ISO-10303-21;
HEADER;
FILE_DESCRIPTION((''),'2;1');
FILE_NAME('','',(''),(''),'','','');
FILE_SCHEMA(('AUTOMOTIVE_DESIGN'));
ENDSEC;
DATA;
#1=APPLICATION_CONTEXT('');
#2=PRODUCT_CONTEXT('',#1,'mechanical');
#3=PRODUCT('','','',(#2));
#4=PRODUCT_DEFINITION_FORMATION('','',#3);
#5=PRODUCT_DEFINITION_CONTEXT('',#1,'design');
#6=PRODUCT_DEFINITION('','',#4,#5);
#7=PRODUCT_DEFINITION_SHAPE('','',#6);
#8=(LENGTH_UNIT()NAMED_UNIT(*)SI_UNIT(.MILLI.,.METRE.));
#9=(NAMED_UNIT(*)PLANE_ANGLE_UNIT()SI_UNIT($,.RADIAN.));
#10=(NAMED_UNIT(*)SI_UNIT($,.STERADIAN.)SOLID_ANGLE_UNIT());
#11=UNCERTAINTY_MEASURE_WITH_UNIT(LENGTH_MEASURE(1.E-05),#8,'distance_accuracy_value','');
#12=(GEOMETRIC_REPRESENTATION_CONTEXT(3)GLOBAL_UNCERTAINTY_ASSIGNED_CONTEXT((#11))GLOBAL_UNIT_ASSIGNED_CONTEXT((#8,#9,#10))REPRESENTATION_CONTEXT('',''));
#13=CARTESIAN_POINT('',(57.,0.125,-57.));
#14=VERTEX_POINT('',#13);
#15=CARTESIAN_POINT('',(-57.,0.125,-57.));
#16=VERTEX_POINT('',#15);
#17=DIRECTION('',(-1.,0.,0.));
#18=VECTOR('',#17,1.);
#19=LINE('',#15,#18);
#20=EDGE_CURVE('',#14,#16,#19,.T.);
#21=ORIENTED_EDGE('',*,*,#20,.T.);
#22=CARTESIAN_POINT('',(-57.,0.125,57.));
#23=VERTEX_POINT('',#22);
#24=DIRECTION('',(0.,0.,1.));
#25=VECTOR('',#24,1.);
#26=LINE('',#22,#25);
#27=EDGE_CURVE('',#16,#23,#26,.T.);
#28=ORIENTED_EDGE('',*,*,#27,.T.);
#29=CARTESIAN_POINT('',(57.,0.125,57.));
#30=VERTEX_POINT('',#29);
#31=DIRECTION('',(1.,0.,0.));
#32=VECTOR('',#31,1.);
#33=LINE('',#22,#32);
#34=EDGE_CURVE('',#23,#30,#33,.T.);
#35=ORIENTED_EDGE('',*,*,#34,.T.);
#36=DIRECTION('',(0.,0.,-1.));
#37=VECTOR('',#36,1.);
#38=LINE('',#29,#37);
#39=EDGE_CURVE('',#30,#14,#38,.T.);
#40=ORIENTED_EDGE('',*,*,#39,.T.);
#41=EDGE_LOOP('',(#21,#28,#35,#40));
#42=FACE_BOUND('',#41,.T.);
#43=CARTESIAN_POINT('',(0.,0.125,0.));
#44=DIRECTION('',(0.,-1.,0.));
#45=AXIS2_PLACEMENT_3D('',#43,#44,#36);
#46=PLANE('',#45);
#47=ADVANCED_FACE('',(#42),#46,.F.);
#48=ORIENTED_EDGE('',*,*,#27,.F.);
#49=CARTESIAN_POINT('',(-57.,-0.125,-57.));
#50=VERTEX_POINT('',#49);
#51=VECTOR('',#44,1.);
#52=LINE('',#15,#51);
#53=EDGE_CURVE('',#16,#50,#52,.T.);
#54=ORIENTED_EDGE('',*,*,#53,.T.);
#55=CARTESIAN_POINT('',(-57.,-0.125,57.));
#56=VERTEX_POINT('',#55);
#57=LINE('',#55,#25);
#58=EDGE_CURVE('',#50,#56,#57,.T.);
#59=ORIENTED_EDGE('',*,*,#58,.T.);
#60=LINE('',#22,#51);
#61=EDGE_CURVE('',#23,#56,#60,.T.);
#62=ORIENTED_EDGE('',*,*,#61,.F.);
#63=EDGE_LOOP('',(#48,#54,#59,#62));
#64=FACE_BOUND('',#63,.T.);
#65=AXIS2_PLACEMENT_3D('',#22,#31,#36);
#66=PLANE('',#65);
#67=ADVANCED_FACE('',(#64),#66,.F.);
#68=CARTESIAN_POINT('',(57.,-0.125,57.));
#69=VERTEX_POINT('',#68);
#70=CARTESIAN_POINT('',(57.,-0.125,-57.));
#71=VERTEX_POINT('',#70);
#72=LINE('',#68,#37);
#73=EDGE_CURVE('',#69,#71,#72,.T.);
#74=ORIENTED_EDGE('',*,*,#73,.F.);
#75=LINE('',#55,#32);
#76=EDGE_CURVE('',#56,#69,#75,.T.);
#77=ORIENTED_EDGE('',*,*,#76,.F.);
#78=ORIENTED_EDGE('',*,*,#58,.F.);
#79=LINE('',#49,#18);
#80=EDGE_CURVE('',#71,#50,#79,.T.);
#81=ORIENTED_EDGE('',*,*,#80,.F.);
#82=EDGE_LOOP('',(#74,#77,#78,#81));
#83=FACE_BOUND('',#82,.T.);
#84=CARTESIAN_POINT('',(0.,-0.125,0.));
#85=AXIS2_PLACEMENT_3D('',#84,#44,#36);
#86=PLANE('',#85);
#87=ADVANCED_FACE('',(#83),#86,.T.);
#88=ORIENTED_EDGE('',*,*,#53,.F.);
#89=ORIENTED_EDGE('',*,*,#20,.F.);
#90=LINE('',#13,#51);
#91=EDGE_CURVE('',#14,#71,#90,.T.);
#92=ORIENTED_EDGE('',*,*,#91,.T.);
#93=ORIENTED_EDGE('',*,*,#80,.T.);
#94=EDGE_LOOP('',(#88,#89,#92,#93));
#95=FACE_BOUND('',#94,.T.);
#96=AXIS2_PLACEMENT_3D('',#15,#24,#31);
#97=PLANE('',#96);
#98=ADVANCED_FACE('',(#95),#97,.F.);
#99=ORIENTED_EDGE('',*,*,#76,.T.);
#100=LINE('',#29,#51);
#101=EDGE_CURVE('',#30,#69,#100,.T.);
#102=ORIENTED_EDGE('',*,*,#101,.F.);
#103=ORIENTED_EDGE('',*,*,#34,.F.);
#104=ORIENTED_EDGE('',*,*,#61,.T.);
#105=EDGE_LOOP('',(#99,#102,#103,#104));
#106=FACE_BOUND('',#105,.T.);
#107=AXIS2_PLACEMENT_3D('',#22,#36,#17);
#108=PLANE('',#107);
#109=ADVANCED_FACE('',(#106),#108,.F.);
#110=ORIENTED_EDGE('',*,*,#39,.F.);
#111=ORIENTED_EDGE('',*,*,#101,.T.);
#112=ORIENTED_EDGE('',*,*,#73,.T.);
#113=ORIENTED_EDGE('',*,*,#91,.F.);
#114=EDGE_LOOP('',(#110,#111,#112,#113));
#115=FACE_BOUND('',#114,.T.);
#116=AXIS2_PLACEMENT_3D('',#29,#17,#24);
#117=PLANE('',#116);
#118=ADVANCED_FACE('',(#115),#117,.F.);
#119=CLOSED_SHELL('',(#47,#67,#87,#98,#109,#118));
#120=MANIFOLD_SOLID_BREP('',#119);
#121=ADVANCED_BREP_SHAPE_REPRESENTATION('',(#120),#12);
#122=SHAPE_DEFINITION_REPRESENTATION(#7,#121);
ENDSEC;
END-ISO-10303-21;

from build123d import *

# Parameters (mm, degrees)
SKETCH1_W           = 114
SKETCH1_H           = 114
BOSS_EXTRUDE1_DEPTH = 0.125


with BuildPart() as part:
    # Sketch1 → Boss-Extrude1 (new, symmetric)
    with BuildSketch(Plane(origin=(0, 0, 0), x_dir=(1, 0, 0), z_dir=(0, 1, 0))):
        Rectangle(SKETCH1_W, SKETCH1_H)
    extrude(amount=BOSS_EXTRUDE1_DEPTH, both=True)


solid = part.part
